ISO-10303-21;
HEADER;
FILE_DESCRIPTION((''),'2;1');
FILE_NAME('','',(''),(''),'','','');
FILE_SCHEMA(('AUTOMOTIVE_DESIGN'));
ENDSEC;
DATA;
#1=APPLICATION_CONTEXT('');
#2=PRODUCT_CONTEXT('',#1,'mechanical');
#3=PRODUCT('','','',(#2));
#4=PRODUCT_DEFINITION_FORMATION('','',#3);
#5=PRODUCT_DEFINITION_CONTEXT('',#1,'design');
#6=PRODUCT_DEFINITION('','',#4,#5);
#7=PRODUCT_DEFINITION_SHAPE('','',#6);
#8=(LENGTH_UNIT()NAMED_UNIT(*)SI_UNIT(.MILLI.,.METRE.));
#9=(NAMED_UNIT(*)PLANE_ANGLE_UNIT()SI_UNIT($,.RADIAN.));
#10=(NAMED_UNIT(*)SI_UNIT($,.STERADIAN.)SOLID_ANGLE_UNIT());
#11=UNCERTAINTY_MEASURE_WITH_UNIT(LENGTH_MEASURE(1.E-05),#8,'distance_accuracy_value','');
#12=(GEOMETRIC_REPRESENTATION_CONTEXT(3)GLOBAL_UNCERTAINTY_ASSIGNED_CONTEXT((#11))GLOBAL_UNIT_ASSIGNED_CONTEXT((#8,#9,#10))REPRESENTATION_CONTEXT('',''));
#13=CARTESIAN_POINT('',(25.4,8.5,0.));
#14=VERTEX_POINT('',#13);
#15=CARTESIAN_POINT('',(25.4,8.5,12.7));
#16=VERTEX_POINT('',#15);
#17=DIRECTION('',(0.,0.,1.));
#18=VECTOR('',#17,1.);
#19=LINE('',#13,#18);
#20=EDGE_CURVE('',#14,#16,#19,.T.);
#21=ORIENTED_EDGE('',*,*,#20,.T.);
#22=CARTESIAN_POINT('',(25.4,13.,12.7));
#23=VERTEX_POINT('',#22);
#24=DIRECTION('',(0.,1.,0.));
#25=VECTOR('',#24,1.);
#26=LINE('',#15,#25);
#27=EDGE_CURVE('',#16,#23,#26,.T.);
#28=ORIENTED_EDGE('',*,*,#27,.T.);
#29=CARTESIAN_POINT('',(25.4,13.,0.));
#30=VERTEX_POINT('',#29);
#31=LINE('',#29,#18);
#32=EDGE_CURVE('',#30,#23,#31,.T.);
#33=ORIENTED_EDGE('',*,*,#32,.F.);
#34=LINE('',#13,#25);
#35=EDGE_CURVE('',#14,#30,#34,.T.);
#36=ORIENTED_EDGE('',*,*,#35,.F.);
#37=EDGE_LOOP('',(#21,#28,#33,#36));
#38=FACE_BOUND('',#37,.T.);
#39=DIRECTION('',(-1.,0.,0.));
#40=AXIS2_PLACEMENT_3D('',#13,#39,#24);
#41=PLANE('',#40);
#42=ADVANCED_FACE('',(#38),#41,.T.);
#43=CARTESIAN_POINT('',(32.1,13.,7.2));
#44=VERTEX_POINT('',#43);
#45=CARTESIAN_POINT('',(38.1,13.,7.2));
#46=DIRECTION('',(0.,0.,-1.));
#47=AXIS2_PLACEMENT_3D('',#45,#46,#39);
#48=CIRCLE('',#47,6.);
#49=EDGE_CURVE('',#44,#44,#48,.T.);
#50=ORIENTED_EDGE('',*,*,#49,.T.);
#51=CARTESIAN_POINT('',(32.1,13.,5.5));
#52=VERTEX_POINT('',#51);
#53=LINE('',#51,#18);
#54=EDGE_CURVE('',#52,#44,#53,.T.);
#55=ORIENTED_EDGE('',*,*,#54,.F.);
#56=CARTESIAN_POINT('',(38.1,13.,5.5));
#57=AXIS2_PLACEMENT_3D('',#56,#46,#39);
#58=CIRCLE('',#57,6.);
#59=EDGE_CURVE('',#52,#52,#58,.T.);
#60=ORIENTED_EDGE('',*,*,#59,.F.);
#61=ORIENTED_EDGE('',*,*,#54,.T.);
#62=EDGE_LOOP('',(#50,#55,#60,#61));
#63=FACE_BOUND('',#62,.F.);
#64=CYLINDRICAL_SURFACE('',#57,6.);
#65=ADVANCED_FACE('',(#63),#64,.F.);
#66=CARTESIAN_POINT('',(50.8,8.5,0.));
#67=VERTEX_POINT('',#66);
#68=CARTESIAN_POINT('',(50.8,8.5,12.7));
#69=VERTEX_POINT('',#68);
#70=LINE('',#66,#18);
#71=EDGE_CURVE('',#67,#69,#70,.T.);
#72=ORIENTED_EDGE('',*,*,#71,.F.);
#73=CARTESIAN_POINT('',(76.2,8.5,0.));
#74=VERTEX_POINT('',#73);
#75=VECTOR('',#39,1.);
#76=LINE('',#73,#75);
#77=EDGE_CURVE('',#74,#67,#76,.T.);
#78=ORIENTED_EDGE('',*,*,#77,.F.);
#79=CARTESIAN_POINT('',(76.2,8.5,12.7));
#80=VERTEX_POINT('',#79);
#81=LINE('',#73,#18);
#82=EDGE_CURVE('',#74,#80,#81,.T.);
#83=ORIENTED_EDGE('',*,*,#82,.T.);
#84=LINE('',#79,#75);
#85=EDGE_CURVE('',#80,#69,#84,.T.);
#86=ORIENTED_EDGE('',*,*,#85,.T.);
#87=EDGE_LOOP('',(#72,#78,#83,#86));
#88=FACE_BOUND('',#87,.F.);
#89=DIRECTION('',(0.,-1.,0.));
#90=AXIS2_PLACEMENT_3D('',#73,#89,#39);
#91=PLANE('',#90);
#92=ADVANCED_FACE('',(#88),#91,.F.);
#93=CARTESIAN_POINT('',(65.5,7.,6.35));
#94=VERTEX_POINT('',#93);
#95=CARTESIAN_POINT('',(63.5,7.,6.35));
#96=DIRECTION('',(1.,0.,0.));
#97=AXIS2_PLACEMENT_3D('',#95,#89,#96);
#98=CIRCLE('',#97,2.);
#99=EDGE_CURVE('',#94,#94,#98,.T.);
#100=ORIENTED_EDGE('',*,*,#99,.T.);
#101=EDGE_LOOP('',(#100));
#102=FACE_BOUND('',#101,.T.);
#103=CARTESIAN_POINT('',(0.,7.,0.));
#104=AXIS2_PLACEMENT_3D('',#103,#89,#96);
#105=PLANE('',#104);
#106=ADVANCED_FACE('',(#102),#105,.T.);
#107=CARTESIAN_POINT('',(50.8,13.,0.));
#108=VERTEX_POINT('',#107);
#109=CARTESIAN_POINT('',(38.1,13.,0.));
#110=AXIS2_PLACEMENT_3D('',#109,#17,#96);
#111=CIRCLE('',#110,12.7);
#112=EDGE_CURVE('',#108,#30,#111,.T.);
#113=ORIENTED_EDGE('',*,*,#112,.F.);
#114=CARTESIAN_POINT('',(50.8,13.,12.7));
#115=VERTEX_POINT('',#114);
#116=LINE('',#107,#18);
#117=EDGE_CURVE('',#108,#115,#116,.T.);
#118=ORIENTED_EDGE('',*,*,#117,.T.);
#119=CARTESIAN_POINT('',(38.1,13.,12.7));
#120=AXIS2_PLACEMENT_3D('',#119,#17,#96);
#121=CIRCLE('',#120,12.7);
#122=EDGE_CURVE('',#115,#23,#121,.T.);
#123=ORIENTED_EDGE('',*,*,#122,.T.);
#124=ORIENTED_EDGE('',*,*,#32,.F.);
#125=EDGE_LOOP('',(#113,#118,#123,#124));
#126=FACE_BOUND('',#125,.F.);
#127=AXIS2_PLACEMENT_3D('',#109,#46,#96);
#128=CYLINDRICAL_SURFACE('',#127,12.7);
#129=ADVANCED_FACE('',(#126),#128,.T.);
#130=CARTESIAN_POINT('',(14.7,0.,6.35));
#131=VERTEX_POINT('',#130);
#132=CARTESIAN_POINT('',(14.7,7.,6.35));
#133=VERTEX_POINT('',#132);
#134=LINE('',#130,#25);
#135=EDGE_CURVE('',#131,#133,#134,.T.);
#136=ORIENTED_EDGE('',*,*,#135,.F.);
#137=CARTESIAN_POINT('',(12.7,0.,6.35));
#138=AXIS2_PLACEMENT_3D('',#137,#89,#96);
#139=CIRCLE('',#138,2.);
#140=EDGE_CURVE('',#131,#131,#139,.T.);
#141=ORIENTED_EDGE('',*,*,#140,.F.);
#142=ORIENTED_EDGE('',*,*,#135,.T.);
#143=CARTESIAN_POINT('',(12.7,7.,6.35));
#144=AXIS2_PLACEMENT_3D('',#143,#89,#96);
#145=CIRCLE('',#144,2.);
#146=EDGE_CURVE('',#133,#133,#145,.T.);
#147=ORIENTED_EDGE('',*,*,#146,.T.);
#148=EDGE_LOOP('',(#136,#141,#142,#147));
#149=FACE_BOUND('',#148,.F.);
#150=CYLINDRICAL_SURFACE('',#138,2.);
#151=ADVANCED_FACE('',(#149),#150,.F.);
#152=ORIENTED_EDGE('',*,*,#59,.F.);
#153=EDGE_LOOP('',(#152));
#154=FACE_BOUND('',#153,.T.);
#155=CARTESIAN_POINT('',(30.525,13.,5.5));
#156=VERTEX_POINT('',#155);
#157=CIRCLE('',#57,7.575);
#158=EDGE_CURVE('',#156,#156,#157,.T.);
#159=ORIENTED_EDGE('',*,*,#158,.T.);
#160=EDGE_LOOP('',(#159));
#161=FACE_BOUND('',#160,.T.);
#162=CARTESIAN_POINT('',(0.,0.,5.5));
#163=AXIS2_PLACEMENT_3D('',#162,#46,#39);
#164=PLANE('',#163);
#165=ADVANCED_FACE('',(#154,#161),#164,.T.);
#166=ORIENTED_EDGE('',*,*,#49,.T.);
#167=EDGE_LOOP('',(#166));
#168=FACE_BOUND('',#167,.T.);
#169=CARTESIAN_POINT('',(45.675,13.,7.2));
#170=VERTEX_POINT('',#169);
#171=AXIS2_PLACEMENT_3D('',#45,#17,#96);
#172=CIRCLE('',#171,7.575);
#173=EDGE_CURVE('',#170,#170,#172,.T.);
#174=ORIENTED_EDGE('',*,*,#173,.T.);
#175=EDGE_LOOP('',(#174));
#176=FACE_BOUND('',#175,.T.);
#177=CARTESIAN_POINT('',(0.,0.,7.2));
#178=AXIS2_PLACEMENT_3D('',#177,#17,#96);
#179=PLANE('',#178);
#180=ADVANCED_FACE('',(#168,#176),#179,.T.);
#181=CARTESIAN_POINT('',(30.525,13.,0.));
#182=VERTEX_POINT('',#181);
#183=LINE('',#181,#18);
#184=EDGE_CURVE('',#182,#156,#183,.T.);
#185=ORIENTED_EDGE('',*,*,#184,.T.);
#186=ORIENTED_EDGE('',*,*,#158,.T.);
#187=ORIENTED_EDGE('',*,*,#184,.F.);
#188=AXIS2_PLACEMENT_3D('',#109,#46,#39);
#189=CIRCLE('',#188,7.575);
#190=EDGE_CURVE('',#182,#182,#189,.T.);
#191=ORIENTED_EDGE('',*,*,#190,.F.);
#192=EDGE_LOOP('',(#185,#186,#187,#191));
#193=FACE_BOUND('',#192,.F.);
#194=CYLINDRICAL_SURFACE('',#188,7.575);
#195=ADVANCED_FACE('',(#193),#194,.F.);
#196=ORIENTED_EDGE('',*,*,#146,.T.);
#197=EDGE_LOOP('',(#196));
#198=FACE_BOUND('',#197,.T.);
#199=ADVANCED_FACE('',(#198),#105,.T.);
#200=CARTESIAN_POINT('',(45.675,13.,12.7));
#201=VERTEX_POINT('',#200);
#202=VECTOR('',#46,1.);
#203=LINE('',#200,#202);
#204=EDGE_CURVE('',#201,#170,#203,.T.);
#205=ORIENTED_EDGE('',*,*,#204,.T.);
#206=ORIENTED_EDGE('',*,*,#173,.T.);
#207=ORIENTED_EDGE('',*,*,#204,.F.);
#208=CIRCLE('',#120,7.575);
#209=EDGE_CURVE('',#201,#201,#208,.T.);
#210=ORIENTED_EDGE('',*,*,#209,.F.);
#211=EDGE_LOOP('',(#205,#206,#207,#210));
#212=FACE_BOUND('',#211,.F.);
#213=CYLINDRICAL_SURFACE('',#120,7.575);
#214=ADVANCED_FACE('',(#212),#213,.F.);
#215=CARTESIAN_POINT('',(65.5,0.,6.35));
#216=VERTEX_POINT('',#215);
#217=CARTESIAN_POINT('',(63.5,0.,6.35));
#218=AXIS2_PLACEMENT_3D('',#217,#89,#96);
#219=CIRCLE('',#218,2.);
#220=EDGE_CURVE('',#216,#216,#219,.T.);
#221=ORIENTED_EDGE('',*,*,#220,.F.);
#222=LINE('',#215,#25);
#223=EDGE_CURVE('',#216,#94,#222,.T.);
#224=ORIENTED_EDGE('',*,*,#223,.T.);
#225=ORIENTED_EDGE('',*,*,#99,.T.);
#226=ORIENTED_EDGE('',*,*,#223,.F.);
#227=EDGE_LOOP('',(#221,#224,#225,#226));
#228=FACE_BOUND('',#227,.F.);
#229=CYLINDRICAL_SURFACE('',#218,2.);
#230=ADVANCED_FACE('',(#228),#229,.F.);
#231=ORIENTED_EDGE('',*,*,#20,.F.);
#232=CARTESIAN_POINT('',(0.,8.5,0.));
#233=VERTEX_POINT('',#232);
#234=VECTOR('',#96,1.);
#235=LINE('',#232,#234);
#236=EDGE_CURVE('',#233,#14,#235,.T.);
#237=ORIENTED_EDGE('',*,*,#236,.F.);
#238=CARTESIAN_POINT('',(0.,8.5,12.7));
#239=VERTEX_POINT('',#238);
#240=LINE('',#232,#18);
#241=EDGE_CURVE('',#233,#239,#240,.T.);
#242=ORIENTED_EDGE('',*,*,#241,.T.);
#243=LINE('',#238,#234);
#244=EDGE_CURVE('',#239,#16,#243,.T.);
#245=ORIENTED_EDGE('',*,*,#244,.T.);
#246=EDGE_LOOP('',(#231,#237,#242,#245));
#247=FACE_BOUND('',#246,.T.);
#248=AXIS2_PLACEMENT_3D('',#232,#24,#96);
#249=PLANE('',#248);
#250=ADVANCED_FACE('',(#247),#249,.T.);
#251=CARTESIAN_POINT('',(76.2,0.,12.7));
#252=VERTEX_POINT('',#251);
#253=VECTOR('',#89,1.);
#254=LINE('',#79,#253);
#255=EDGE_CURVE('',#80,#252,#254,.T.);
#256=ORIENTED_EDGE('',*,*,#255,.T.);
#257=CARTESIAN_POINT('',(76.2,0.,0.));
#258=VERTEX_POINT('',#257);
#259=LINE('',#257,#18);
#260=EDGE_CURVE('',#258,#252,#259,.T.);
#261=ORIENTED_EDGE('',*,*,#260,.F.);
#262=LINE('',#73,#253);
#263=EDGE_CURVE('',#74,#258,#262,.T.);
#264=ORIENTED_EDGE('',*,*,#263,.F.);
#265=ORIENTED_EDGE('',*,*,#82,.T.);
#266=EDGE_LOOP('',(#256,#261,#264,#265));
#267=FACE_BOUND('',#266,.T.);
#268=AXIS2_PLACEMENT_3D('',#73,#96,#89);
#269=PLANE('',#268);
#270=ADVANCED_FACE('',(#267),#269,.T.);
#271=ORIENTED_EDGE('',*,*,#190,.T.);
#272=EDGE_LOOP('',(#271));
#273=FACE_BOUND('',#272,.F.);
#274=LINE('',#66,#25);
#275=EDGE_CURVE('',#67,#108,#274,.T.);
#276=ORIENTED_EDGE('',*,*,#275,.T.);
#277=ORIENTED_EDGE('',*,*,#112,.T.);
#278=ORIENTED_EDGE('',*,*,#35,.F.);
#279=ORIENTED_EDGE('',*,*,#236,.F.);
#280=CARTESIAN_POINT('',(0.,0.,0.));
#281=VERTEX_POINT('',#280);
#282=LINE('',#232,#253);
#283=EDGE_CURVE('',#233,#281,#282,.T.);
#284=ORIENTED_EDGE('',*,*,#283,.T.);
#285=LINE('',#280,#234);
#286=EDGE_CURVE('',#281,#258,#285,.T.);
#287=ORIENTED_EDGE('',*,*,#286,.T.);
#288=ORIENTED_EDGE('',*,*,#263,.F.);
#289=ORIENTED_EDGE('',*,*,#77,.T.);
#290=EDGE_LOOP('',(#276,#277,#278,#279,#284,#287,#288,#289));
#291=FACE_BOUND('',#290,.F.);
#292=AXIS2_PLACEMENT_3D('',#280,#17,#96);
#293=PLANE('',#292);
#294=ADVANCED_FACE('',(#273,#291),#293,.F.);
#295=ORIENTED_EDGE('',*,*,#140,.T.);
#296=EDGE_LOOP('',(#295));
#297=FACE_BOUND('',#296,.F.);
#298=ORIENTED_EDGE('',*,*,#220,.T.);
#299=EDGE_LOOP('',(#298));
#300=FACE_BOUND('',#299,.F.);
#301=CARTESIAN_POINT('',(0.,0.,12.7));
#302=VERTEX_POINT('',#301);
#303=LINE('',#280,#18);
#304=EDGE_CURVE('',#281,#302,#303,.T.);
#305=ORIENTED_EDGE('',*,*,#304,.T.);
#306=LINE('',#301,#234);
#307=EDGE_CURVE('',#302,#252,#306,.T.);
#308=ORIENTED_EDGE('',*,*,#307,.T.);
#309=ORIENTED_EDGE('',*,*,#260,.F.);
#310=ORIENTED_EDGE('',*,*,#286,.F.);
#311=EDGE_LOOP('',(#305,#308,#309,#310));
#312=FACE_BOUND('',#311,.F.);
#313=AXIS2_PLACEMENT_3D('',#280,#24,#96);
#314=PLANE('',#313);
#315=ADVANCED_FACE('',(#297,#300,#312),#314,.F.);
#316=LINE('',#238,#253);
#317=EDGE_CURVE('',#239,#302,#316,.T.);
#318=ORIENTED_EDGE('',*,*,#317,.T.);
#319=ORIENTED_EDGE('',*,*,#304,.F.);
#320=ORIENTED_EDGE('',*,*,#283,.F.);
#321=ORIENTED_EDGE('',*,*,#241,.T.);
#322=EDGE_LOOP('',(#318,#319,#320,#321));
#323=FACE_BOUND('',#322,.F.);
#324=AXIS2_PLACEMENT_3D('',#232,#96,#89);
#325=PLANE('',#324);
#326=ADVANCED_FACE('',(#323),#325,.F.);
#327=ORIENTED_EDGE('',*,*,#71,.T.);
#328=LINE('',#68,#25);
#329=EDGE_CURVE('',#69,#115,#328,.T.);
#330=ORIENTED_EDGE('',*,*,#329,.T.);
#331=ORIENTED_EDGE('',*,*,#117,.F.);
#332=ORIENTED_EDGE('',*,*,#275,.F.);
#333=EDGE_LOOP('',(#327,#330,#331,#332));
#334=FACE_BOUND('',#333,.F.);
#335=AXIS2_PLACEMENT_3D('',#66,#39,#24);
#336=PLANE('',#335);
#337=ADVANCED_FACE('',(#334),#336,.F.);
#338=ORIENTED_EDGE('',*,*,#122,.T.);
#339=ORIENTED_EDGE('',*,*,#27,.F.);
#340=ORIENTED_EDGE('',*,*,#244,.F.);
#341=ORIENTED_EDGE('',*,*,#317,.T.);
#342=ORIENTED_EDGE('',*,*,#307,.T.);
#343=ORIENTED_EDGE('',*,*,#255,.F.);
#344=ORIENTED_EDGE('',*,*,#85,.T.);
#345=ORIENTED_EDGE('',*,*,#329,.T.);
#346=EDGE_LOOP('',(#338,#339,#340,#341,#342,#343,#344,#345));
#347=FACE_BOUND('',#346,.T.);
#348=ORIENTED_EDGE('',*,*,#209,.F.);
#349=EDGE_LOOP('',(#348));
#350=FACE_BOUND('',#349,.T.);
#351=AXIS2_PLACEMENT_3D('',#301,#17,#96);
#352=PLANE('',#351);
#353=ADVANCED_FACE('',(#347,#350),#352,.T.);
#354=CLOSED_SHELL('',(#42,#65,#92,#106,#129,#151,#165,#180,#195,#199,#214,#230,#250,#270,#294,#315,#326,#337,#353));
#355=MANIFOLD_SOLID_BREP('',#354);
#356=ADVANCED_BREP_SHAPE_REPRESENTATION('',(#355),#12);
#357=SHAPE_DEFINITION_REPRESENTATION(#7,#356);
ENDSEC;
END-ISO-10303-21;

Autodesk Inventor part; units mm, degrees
ref_plane "YZ Plane" through (0, 0, 0) normal (1, 0, 0) x (0, 1, 0)
ref_plane "XZ Plane" through (0, 0, 0) normal (0, 1, 0) x (-1, 0, 0)
ref_plane "XY Plane" through (0, 0, 0) normal (0, 0, 1) x (1, 0, 0)
sketch "Sketch1" plane through (0, 0, 0) normal (0, 0, 1) x (1, 0, 0)
  line L0 (0, 0) -> (76.2, 0)
  line L1 (50.8, 8.5) -> (50.8, 13)
  line L2 (25.4, 8.5) -> (25.4, 13)
  arc A0 (50.8, 13) -> (25.4, 13) centre (38.1, 13) ccw
  line L3 (0, 8.5) -> (25.4, 8.5)
  line L4 (76.2, 8.5) -> (50.8, 8.5)
  line L5 (76.2, 8.5) -> (76.2, 0)
  line L6 (0, 8.5) -> (0, 0)
  dimension "d0" = 76.2
  dimension "d4" = 25.4
  dimension "d18" = 13
  dimension "d20" = 25.4
  dimension "d21" = 8.5
  dimension "d22" = 8.5
  dimension "d23" = 12.7
  dimension "d24" = 25.4
  dimension "d25" = 12.7
extrude "BearingBlock" add sketch "Sketch1" along normal blind 12.7
sketch "Sketch2" plane through (0, 0, 12.7) normal (0, 0, 1) x (1, 0, 0)
  arc A0 (50.8, 13) -> (25.4, 13) centre (38.1, 13) ccw projected
  line L0 (0, 0) -> (76.2, 0) projected
  circle A1 centre (38.1, 13) radius 7.575
  point P0 (38.1, 25.7)
  dimension "d8" = 15.15
  dimension "d26" = 13
extrude "BearingMount" cut sketch "Sketch2" against normal blind 5.5
sketch "Sketch4" plane through (0, 0, 0) normal (0, 0, -1) x (-1, 0, 0)
  circle A0 centre (-38.1, 13) radius 7.575 projected
  circle A1 centre (-38.1, 13) radius 7.575
  line L0 (0, 0) -> (-76.2, 0) projected
  dimension "d27" = 15.15
  dimension "d28" = 13
extrude "BearingMount2" cut sketch "Sketch4" against normal blind 5.5
sketch "Sketch3" plane through (0, 0, 0) normal (0, -1, 0) x (1, 0, 0)
  line L0 (0, 0) -> (0, 12.7) projected
  line L1 (-76.2, 6.35) -> (76.2, 6.35) construction
  line L2 (76.2, 0) -> (76.2, 12.7) projected
  circle A0 centre (12.7, 6.35) radius 2
  circle A1 centre (63.5, 6.35) radius 2
  point P0 (0, 6.35)
  dimension "d11" = 12.7
  dimension "d12" = 12.7
  dimension "d13" = 4
  dimension "d14" = 4
  dimension "d15" = 50.8
extrude "HeatSetInsert" cut sketch "Sketch3" against normal blind 7
sketch "Sketch5" plane through (38.1, 13, 5.5) normal (0, 0, -1) x (-1, 0, 0)
  circle A0 centre (0, 0) radius 7.575 projected
  circle A1 centre (0, 0) radius 6
  line L0 (38.1, -13) -> (-38.1, -13) projected
  dimension "d32" = 12
  dimension "d33" = 13
extrude "Extrusion5" cut sketch "Sketch5" against normal through all contours A1
equation "\"d18\" = motor_centerline_height"
equation "\"d13\" = m3_heat_set_insert"
equation "\"d14\" = m3_heat_set_insert"
equation "\"m3_heat_set_insert\" = 4"
equation "\"m3_clearance\" = 3.4"
equation "\"m3_heat_set_depth\" = 7"
equation "\"robot_diameter\" = 354"
equation "\"hardboard_thickness\" = 5"
equation "\"motor_centerline_height\" = 13"
properties part number "wheel_bearing_no_flange"
